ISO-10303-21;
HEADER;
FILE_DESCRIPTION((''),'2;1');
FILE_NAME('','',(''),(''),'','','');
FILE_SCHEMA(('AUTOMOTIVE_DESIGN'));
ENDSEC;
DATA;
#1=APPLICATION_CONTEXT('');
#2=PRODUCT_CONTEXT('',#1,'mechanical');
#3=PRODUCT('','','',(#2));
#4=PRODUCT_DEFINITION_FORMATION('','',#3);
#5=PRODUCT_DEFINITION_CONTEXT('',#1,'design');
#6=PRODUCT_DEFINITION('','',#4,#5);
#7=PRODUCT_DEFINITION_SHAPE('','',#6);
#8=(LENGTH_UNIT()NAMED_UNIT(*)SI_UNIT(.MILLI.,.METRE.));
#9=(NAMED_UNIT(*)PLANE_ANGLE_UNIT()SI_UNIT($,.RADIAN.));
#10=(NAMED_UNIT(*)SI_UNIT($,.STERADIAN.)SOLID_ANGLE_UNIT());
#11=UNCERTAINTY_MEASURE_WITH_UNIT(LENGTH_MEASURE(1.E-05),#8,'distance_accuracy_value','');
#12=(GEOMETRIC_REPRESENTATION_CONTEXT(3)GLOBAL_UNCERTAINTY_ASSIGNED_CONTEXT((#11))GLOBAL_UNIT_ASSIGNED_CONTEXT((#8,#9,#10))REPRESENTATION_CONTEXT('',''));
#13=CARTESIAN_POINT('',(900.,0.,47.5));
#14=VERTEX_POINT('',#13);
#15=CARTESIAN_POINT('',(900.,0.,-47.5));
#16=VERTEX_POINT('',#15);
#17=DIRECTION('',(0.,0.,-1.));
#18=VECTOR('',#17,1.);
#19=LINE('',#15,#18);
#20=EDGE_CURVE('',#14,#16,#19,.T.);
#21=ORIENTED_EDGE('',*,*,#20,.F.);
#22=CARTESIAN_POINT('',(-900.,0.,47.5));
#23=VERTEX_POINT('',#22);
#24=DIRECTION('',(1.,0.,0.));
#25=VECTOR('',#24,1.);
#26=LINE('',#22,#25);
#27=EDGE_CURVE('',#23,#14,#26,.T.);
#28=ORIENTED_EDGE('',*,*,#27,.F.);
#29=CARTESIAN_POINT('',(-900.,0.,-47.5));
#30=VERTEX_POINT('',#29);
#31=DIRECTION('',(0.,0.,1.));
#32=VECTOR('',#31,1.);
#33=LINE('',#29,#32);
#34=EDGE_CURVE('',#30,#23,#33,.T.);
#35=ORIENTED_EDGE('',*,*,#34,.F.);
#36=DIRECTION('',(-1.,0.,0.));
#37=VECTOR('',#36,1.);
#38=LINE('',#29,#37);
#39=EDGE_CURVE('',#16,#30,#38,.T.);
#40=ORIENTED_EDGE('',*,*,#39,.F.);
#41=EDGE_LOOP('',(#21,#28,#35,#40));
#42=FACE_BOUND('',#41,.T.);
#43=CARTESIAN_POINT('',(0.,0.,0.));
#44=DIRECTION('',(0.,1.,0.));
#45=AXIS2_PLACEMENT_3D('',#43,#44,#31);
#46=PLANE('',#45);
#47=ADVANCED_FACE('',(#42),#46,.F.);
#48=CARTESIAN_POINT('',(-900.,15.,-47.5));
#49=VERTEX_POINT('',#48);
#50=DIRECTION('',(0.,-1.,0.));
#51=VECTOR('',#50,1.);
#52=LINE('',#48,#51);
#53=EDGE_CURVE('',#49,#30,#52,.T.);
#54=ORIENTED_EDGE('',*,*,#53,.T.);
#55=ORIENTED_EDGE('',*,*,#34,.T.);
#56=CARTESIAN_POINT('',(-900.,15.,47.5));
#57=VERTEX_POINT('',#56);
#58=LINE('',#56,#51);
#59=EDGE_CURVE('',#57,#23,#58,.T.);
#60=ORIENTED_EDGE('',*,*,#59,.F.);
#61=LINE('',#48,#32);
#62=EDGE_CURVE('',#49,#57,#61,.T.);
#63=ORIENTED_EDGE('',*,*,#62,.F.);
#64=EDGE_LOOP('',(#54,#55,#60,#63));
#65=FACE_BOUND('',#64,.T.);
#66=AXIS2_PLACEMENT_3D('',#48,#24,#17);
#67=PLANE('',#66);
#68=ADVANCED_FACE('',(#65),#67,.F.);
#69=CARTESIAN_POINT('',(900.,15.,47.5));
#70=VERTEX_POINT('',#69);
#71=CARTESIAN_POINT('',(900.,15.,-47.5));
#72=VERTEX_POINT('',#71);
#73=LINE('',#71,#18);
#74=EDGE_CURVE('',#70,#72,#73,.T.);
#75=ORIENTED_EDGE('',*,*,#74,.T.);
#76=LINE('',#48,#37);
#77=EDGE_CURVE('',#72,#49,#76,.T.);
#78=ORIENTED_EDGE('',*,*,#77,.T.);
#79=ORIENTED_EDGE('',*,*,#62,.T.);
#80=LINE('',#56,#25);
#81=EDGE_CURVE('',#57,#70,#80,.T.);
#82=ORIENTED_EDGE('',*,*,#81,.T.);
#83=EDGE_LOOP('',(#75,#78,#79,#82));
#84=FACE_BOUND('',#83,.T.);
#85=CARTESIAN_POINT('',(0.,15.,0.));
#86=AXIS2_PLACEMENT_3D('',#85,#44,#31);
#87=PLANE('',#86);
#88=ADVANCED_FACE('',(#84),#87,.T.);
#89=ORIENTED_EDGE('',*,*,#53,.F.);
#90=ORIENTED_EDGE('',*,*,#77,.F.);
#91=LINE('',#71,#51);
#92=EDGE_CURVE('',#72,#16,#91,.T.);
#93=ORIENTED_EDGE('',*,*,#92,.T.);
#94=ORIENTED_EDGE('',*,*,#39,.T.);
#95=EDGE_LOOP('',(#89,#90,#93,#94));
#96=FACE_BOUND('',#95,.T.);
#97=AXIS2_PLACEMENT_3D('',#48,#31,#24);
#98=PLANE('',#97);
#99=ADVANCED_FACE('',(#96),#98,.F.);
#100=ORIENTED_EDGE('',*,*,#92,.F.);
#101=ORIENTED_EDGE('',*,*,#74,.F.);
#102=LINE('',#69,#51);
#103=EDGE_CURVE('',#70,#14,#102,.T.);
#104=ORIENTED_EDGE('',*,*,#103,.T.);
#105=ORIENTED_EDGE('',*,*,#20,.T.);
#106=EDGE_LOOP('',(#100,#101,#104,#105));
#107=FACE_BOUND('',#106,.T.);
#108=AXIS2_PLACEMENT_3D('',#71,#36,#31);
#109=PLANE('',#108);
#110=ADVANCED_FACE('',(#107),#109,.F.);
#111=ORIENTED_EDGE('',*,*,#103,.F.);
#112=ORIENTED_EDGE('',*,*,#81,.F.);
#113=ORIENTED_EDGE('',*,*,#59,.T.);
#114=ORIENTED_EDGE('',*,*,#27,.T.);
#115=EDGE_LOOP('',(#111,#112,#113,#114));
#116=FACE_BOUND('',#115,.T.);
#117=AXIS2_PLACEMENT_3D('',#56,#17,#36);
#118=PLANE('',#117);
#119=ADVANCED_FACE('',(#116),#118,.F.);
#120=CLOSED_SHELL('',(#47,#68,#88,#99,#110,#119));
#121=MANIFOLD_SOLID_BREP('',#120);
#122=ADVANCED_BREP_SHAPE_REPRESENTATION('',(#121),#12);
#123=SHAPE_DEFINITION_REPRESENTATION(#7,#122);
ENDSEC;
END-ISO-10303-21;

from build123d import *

# Parameters (mm, degrees)
SKETCH1_W           = 1800
SKETCH1_H           = 95
BOSS_EXTRUDE1_DEPTH = 15


with BuildPart() as part:
    # Sketch1 → Boss-Extrude1 (new body)
    with BuildSketch(Plane(origin=(0, 0, 0), x_dir=(1, 0, 0), z_dir=(0, 1, 0))):
        Rectangle(SKETCH1_W, SKETCH1_H)
    extrude(amount=BOSS_EXTRUDE1_DEPTH)


solid = part.part
